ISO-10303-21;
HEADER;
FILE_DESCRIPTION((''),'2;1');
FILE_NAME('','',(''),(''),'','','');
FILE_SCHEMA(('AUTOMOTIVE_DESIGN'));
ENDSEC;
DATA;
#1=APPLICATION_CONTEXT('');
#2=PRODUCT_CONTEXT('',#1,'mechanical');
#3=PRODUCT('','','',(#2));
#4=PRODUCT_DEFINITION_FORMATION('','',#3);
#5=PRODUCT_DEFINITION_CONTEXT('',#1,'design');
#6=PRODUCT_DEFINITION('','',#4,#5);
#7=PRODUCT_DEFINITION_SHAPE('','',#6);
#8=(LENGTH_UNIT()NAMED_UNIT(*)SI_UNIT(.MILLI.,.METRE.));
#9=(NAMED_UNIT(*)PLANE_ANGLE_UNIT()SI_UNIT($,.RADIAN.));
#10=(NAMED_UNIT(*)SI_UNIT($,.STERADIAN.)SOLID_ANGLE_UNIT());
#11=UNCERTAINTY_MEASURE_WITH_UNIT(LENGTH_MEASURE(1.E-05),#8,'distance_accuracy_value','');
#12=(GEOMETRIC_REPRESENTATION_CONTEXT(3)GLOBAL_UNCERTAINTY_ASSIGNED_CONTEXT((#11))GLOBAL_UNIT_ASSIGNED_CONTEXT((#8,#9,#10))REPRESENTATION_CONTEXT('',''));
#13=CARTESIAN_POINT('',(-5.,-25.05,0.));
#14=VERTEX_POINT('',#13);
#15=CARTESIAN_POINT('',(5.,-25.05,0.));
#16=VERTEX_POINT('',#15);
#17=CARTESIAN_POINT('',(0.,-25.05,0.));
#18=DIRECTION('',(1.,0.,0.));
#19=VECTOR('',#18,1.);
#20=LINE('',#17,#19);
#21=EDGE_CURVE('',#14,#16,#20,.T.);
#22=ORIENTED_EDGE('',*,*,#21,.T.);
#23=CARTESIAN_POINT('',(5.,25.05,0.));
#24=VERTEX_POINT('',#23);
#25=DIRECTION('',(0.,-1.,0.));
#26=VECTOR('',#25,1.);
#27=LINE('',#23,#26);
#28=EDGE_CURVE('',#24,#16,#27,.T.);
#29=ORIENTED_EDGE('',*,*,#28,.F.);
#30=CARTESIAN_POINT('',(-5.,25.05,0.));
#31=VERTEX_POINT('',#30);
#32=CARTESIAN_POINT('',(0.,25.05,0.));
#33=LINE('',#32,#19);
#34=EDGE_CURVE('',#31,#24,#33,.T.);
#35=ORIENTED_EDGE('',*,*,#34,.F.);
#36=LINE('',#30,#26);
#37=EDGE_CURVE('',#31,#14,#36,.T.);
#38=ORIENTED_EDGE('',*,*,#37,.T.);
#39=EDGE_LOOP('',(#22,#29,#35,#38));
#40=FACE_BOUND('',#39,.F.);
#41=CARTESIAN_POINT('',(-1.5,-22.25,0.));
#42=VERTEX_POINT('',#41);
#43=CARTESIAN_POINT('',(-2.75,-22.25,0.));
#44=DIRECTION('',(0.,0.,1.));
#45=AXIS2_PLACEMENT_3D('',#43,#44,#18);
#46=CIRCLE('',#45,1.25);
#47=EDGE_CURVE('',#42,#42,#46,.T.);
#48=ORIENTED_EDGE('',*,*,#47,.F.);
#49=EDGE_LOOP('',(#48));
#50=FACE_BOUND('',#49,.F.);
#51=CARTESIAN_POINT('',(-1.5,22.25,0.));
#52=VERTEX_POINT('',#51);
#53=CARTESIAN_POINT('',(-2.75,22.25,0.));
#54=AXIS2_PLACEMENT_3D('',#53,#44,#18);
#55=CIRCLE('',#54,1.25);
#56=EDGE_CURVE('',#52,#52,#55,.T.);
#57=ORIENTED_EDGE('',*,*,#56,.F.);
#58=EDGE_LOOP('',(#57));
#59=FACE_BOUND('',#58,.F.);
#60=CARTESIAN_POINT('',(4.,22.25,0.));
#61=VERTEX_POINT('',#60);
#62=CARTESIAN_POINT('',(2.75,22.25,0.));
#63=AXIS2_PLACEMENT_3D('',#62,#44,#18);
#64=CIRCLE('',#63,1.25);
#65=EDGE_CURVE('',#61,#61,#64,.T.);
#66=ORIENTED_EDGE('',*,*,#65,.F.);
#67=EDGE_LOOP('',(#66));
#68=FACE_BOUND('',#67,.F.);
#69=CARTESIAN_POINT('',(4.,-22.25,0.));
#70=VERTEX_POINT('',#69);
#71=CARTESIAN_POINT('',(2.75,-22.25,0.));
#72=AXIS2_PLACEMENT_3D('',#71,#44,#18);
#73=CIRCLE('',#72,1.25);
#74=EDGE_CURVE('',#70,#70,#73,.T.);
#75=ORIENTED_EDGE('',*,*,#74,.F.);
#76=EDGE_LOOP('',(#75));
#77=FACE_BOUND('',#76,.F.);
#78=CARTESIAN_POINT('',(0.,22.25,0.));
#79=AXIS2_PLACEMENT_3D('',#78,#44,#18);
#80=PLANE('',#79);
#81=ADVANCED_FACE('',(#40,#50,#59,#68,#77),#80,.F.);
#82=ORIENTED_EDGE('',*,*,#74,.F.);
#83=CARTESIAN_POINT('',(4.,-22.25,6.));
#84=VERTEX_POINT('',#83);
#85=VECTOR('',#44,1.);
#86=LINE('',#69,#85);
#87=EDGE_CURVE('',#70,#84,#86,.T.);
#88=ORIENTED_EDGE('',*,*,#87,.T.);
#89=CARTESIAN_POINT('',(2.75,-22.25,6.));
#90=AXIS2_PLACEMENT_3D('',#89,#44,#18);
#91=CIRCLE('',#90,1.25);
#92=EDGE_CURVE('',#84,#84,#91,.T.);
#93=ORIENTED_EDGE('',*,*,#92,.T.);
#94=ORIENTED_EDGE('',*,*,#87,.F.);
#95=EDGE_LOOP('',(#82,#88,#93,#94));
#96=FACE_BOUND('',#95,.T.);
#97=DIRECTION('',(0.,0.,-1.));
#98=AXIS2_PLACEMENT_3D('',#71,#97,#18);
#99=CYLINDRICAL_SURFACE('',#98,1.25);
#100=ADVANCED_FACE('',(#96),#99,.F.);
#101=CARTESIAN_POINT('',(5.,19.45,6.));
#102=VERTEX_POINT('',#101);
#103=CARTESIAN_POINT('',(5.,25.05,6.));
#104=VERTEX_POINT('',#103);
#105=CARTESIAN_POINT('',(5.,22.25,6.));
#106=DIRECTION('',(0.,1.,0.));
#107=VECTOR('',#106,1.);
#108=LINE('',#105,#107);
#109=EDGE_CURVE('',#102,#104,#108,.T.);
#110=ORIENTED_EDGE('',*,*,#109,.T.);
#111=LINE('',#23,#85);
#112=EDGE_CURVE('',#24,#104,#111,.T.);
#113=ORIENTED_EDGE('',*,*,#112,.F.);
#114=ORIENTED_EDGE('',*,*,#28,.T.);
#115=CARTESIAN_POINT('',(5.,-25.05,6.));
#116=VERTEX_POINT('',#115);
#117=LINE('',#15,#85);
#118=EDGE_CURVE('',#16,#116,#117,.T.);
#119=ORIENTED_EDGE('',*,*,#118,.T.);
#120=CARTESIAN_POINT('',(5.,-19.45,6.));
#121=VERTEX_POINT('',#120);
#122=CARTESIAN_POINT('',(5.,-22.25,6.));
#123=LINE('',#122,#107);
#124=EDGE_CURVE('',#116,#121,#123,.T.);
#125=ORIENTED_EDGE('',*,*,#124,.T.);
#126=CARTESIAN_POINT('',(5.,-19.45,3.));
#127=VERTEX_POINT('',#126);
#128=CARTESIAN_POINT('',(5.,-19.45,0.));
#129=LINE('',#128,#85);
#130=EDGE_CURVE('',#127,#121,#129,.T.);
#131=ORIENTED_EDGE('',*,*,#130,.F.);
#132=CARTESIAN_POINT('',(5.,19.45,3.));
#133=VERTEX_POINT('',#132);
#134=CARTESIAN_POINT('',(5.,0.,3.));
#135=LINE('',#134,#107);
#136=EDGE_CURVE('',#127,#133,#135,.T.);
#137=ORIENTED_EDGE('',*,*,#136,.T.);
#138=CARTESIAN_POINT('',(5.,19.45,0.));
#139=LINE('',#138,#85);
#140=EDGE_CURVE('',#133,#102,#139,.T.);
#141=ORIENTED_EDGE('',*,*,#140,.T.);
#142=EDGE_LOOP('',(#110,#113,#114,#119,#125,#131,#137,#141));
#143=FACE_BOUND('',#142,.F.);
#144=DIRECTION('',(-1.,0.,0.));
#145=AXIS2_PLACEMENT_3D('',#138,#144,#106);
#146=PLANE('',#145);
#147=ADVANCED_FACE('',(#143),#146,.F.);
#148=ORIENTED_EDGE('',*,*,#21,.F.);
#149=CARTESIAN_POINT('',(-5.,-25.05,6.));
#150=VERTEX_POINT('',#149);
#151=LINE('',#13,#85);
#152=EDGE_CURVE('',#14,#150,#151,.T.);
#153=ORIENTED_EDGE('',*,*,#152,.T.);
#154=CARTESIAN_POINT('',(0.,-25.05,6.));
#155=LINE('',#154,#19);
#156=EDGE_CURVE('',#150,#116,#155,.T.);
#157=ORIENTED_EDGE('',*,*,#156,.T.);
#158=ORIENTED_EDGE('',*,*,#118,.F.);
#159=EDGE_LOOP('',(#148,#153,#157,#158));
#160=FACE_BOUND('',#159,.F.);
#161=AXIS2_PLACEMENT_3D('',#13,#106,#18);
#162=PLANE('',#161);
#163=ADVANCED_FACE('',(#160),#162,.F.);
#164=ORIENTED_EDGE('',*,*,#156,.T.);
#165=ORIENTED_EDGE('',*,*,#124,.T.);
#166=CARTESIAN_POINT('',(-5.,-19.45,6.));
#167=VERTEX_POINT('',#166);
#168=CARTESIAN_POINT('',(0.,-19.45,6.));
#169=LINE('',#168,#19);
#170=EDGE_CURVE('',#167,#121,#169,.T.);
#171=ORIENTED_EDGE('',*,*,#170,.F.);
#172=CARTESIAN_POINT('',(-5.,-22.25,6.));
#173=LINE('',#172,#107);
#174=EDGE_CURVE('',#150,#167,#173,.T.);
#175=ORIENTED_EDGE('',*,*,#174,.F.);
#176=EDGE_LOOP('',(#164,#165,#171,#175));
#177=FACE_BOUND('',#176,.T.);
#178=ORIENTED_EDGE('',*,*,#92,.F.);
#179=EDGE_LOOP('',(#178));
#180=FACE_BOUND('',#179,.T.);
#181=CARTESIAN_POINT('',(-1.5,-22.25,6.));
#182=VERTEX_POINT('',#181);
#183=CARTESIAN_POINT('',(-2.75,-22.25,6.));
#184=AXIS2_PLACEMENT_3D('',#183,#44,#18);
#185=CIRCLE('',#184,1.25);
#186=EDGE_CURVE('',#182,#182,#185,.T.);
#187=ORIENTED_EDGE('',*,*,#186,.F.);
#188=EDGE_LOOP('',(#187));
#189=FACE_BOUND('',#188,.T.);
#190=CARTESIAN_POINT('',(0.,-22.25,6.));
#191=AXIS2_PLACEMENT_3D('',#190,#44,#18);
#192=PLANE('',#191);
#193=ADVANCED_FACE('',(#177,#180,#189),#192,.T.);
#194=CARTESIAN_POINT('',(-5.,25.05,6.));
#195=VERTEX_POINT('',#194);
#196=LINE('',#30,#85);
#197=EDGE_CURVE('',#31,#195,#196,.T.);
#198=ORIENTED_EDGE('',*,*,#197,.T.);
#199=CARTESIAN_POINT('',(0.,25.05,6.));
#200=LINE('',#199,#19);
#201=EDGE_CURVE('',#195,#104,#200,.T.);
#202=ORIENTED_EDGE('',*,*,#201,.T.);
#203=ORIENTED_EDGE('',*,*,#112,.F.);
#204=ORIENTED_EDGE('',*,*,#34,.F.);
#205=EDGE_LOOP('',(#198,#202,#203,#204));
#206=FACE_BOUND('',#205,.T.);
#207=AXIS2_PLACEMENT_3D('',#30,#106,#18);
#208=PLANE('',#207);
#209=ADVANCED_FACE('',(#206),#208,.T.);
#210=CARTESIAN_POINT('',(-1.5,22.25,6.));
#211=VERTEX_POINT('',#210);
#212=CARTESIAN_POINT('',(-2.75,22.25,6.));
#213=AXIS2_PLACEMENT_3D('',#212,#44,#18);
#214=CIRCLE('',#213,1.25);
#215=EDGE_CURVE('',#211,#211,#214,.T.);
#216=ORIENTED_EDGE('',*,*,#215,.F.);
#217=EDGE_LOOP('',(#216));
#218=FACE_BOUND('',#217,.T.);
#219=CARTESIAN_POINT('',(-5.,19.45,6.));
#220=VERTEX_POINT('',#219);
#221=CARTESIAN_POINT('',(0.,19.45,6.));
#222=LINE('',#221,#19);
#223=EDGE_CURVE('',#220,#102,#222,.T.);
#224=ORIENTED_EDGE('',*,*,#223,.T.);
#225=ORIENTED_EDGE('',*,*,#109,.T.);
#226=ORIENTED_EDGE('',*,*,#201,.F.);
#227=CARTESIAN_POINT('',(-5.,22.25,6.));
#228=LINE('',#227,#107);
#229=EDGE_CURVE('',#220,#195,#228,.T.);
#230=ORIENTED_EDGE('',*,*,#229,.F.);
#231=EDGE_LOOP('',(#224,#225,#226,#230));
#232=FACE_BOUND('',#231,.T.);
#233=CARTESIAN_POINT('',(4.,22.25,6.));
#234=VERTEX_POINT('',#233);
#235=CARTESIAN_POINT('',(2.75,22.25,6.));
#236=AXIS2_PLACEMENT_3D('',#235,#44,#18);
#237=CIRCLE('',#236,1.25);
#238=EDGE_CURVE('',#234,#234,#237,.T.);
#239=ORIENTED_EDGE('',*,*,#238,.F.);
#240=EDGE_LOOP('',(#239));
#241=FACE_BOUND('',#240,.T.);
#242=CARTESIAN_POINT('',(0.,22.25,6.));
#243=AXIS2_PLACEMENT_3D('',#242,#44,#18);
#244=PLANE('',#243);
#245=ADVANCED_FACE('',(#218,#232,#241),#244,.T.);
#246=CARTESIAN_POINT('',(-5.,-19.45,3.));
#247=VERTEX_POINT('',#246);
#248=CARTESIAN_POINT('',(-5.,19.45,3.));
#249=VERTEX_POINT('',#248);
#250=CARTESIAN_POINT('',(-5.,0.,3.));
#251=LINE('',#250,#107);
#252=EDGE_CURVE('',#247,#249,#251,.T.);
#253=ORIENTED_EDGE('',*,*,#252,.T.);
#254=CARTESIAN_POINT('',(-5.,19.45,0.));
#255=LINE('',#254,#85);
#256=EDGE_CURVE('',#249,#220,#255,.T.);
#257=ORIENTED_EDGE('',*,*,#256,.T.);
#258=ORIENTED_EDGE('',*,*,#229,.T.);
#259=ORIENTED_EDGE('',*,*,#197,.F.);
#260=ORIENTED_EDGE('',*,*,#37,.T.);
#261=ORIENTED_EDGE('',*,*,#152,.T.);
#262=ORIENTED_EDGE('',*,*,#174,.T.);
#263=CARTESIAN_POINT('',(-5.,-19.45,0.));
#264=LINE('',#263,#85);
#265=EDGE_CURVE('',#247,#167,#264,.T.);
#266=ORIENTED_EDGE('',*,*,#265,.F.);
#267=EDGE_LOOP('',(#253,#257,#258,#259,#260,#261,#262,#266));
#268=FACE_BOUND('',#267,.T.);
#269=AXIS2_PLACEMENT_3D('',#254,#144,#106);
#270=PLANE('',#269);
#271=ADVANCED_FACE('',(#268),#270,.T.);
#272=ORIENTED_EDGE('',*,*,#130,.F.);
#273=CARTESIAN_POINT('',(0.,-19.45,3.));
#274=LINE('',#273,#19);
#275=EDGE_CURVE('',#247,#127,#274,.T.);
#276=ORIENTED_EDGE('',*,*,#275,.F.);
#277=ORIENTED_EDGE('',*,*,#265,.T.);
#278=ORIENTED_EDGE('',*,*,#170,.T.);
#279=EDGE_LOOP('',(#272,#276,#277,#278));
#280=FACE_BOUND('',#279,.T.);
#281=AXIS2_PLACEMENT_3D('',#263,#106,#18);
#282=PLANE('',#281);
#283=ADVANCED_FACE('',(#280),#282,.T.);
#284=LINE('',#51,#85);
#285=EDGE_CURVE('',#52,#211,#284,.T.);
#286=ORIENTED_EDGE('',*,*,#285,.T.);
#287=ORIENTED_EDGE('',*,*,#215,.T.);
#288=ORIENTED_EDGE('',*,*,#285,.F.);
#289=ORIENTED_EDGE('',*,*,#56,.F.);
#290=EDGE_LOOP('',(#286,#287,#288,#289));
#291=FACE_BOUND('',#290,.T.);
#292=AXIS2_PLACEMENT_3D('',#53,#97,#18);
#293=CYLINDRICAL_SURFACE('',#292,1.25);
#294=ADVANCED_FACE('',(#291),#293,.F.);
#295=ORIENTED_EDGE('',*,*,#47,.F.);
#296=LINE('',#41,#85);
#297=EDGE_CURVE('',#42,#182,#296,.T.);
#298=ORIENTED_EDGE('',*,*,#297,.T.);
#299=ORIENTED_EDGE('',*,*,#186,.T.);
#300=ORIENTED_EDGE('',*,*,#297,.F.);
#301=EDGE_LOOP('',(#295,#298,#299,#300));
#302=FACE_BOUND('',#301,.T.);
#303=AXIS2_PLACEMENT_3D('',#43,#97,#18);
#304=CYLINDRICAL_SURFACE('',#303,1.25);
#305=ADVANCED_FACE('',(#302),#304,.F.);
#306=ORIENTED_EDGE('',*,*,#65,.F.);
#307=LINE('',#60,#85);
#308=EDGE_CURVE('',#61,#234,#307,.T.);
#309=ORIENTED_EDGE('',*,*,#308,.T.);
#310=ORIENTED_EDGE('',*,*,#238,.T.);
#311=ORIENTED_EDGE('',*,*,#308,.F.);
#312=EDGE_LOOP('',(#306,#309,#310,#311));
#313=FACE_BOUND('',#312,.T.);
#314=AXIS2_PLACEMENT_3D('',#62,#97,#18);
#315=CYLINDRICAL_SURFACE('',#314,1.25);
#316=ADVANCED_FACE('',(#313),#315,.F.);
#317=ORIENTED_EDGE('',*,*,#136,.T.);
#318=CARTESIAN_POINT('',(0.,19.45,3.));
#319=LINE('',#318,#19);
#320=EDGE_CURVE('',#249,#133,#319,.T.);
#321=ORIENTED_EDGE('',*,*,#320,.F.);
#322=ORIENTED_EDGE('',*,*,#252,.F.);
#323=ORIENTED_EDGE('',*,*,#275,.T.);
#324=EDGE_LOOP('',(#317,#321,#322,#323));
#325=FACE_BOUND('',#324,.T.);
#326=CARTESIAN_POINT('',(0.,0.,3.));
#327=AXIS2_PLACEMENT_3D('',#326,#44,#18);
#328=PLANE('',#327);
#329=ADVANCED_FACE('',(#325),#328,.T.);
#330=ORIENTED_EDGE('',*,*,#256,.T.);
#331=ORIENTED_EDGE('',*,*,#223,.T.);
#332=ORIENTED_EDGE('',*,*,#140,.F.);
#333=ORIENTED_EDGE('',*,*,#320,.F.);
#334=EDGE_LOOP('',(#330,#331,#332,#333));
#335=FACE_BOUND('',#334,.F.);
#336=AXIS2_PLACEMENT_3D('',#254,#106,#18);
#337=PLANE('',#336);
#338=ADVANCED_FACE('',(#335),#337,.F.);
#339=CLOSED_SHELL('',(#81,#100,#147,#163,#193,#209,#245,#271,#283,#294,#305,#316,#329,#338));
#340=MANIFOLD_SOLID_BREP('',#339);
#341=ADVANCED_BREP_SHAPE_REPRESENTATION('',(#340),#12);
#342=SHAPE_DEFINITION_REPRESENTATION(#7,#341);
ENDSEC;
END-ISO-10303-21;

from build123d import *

# Parameters (mm, degrees)
F0_W     = 10
F0_H     = 38.9
F1_DEPTH = 3
F0_H_2   = 5.6
F0_R     = 1.25
F2_DEPTH = 6


with BuildPart() as f1:
    # F0 (on Top) → F1 (new body)
    with BuildSketch(Plane.XY):
        Rectangle(F0_W, F0_H)
    extrude(amount=F1_DEPTH)

    # F0 (on Top) → F2 (join)
    with BuildSketch(Plane.XY):
        with Locations((0, 22.25)):
            Rectangle(F0_W, F0_H_2)
        with Locations((-2.75, 22.25)):
            Circle(F0_R, mode=Mode.SUBTRACT)
        with Locations((2.75, 22.25)):
            Circle(F0_R, mode=Mode.SUBTRACT)
        with Locations((0, -22.25)):
            Rectangle(F0_W, F0_H_2)
        with Locations((-2.75, -22.25)):
            Circle(F0_R, mode=Mode.SUBTRACT)
        with Locations((2.75, -22.25)):
            Circle(F0_R, mode=Mode.SUBTRACT)
    extrude(amount=F2_DEPTH)


solid = f1.part
